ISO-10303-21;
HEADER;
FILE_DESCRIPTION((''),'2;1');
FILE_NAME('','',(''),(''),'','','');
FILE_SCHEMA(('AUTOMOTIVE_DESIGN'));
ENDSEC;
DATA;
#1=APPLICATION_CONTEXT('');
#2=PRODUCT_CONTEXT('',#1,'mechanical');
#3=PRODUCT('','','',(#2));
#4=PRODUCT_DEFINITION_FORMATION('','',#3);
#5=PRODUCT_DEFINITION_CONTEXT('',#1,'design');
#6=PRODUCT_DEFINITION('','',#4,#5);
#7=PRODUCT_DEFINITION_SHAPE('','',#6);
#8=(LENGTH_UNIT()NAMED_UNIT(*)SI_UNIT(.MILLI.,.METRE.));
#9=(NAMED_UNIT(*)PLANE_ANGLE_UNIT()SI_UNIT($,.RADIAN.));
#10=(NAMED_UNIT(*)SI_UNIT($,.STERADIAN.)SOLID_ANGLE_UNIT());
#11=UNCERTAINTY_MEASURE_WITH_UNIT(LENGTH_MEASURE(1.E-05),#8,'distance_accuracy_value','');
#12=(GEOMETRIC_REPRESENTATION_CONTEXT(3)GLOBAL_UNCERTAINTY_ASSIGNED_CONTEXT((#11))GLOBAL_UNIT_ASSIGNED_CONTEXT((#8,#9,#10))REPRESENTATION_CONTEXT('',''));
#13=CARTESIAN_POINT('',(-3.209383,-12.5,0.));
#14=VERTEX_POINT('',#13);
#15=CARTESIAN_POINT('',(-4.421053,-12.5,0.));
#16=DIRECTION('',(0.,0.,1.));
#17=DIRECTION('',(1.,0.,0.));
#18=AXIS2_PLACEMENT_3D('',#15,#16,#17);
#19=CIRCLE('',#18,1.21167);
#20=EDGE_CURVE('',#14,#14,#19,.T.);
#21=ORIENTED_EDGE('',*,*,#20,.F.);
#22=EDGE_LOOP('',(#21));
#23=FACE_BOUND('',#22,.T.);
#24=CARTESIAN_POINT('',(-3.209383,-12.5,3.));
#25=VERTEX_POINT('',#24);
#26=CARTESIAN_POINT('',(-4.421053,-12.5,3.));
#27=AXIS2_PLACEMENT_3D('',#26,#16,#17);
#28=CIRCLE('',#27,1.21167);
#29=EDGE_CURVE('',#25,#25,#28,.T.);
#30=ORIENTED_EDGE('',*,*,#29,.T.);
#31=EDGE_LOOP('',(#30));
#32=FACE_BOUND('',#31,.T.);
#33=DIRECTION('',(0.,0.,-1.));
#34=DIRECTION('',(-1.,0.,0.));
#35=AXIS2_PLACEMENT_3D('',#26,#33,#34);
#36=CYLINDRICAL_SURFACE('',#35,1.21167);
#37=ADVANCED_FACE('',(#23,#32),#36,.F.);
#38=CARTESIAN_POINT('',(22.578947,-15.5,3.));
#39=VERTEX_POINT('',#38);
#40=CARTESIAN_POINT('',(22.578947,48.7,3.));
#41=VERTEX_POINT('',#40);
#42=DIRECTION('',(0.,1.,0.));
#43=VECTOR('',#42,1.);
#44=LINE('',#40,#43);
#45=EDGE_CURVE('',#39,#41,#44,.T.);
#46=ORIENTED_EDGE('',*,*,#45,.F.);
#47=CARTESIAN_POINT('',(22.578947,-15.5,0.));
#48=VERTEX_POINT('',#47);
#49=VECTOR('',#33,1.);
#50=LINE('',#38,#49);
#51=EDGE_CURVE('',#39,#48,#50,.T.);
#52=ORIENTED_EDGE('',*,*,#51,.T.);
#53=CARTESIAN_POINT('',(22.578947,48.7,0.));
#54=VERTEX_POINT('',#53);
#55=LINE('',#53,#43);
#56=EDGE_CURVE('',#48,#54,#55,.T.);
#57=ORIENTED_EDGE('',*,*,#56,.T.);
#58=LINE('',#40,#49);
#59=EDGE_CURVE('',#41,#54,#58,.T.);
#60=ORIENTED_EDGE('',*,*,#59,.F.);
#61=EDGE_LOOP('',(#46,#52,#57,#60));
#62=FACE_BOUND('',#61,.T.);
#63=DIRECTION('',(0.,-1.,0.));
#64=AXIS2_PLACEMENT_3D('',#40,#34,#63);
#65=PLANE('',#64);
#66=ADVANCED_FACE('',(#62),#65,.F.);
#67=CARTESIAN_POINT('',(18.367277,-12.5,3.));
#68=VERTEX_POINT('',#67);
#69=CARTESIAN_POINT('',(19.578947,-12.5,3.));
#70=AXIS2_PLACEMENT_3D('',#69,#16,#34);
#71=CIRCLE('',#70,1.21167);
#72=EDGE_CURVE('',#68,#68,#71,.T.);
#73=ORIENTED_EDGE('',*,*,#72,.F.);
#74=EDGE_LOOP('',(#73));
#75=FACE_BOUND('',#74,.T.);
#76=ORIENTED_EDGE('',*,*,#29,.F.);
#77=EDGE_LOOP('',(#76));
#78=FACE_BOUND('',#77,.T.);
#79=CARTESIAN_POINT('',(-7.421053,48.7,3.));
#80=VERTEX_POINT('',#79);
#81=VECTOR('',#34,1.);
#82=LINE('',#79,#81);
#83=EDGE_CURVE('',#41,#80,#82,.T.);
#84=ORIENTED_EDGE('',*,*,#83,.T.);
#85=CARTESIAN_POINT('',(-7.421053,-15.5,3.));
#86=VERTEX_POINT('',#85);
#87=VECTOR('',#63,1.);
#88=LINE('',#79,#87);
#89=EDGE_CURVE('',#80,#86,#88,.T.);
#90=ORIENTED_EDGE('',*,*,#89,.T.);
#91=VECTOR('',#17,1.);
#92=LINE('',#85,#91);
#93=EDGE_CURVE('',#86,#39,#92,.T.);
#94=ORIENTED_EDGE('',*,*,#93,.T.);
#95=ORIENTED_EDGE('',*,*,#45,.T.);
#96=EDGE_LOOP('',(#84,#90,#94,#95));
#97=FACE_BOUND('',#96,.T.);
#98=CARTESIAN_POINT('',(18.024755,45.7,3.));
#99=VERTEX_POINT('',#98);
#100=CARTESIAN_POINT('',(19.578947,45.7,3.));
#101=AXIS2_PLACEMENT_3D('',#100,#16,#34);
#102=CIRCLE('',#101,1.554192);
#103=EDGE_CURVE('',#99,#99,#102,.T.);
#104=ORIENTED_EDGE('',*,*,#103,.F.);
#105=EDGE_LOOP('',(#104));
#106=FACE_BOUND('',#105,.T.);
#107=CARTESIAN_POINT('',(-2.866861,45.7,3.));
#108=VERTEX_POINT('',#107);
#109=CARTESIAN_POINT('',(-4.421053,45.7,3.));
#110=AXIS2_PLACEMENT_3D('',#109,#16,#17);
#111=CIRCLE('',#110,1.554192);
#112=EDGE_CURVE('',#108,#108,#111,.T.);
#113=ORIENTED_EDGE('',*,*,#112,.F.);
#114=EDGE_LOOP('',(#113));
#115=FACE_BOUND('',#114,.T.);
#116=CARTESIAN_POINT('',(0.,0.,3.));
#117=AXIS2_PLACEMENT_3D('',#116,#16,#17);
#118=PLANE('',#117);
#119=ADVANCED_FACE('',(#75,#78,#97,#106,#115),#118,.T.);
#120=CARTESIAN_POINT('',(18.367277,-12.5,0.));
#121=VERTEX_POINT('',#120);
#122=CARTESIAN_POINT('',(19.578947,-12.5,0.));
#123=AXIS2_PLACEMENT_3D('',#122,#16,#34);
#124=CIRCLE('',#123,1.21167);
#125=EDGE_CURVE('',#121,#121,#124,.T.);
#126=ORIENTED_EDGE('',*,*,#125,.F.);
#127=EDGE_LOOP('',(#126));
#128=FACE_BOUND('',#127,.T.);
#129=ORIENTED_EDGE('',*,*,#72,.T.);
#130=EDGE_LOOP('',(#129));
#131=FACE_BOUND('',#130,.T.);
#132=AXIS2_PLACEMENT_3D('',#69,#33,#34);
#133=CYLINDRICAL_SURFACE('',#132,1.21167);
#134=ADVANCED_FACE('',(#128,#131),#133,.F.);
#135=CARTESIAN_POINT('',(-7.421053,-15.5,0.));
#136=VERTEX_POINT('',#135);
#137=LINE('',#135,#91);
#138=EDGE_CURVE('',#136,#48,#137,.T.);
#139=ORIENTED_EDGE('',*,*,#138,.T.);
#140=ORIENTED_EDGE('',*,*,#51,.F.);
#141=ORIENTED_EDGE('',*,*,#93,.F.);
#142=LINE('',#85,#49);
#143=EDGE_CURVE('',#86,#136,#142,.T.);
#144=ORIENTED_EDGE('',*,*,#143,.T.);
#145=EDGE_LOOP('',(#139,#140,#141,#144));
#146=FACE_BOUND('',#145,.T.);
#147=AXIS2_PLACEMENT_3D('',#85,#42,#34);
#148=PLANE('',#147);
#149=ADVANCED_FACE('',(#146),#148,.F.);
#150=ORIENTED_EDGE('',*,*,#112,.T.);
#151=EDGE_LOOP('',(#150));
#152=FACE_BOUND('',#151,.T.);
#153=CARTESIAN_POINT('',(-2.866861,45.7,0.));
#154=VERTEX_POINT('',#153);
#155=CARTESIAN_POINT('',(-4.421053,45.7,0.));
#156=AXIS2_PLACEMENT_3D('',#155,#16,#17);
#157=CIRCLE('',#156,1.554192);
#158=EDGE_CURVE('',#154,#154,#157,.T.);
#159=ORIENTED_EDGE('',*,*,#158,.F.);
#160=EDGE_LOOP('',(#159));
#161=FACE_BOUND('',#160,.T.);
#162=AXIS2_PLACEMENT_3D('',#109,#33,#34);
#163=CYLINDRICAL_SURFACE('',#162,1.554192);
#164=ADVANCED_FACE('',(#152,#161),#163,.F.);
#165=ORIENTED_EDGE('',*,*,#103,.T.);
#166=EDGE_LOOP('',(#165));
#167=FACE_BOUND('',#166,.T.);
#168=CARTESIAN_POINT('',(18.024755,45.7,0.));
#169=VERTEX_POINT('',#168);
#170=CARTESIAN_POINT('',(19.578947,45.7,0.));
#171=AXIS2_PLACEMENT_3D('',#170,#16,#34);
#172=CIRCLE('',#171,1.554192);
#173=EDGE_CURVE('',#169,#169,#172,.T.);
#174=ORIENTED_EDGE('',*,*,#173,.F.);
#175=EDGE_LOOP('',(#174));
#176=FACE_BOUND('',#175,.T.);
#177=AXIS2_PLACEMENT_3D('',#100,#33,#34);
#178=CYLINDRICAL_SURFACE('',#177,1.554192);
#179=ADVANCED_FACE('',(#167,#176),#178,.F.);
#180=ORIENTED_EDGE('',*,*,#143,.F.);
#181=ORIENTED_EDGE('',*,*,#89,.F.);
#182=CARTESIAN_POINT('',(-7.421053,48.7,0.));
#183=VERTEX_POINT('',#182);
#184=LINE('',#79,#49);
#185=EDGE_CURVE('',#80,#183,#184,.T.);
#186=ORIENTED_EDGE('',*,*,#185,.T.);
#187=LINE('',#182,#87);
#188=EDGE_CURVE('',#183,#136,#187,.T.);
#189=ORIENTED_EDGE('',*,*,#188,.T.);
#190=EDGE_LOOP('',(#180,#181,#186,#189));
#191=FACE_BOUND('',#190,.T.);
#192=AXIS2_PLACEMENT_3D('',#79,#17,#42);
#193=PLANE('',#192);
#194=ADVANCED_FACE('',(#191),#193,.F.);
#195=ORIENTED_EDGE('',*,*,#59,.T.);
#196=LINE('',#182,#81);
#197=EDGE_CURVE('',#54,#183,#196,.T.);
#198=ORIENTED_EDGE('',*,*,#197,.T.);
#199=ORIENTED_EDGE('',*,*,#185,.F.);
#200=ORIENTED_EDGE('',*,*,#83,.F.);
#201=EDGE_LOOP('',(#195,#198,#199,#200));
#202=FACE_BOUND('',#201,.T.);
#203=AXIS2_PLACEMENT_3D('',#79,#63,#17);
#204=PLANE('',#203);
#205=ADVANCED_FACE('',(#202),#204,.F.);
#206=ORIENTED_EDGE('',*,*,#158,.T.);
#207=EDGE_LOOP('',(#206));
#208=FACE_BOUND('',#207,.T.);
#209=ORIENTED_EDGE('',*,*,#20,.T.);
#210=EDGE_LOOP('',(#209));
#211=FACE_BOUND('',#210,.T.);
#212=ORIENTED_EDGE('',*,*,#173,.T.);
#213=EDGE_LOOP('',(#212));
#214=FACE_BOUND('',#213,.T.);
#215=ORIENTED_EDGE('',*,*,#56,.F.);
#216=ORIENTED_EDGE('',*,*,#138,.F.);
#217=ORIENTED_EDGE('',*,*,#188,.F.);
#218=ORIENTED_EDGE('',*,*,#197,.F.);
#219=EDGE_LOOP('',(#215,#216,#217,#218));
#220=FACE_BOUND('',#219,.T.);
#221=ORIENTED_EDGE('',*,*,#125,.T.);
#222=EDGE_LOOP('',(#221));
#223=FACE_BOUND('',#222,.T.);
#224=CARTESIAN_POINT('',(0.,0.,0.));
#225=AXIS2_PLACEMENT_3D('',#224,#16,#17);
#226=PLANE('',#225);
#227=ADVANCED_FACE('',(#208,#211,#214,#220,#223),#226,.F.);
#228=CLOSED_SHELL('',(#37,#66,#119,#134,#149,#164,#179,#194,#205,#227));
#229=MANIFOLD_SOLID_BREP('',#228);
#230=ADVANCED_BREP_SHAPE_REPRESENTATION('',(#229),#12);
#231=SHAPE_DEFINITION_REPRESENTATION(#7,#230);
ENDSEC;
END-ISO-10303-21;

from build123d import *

# Parameters (mm, degrees)
SKETCH_1_W      = 30
SKETCH_1_H      = 64.2
SKETCH_1_R      = 1.554191901
SKETCH_1_R_2    = 1.21166994
EXTRUDE_1_DEPTH = 3


with BuildPart() as part:
    # 草图1 → 凸台-拉伸1 (new body)
    with BuildSketch(Plane.XY):
        with Locations((7.578947368, 16.6)):
            Rectangle(SKETCH_1_W, SKETCH_1_H)
        with Locations((-4.421052632, 45.7)):
            Circle(SKETCH_1_R, mode=Mode.SUBTRACT)
        with Locations((-4.421052632, -12.5)):
            Circle(SKETCH_1_R_2, mode=Mode.SUBTRACT)
        with Locations((19.578947368, -12.5)):
            Circle(SKETCH_1_R_2, mode=Mode.SUBTRACT)
        with Locations((19.578947368, 45.7)):
            Circle(SKETCH_1_R, mode=Mode.SUBTRACT)
    extrude(amount=EXTRUDE_1_DEPTH)


solid = part.part
